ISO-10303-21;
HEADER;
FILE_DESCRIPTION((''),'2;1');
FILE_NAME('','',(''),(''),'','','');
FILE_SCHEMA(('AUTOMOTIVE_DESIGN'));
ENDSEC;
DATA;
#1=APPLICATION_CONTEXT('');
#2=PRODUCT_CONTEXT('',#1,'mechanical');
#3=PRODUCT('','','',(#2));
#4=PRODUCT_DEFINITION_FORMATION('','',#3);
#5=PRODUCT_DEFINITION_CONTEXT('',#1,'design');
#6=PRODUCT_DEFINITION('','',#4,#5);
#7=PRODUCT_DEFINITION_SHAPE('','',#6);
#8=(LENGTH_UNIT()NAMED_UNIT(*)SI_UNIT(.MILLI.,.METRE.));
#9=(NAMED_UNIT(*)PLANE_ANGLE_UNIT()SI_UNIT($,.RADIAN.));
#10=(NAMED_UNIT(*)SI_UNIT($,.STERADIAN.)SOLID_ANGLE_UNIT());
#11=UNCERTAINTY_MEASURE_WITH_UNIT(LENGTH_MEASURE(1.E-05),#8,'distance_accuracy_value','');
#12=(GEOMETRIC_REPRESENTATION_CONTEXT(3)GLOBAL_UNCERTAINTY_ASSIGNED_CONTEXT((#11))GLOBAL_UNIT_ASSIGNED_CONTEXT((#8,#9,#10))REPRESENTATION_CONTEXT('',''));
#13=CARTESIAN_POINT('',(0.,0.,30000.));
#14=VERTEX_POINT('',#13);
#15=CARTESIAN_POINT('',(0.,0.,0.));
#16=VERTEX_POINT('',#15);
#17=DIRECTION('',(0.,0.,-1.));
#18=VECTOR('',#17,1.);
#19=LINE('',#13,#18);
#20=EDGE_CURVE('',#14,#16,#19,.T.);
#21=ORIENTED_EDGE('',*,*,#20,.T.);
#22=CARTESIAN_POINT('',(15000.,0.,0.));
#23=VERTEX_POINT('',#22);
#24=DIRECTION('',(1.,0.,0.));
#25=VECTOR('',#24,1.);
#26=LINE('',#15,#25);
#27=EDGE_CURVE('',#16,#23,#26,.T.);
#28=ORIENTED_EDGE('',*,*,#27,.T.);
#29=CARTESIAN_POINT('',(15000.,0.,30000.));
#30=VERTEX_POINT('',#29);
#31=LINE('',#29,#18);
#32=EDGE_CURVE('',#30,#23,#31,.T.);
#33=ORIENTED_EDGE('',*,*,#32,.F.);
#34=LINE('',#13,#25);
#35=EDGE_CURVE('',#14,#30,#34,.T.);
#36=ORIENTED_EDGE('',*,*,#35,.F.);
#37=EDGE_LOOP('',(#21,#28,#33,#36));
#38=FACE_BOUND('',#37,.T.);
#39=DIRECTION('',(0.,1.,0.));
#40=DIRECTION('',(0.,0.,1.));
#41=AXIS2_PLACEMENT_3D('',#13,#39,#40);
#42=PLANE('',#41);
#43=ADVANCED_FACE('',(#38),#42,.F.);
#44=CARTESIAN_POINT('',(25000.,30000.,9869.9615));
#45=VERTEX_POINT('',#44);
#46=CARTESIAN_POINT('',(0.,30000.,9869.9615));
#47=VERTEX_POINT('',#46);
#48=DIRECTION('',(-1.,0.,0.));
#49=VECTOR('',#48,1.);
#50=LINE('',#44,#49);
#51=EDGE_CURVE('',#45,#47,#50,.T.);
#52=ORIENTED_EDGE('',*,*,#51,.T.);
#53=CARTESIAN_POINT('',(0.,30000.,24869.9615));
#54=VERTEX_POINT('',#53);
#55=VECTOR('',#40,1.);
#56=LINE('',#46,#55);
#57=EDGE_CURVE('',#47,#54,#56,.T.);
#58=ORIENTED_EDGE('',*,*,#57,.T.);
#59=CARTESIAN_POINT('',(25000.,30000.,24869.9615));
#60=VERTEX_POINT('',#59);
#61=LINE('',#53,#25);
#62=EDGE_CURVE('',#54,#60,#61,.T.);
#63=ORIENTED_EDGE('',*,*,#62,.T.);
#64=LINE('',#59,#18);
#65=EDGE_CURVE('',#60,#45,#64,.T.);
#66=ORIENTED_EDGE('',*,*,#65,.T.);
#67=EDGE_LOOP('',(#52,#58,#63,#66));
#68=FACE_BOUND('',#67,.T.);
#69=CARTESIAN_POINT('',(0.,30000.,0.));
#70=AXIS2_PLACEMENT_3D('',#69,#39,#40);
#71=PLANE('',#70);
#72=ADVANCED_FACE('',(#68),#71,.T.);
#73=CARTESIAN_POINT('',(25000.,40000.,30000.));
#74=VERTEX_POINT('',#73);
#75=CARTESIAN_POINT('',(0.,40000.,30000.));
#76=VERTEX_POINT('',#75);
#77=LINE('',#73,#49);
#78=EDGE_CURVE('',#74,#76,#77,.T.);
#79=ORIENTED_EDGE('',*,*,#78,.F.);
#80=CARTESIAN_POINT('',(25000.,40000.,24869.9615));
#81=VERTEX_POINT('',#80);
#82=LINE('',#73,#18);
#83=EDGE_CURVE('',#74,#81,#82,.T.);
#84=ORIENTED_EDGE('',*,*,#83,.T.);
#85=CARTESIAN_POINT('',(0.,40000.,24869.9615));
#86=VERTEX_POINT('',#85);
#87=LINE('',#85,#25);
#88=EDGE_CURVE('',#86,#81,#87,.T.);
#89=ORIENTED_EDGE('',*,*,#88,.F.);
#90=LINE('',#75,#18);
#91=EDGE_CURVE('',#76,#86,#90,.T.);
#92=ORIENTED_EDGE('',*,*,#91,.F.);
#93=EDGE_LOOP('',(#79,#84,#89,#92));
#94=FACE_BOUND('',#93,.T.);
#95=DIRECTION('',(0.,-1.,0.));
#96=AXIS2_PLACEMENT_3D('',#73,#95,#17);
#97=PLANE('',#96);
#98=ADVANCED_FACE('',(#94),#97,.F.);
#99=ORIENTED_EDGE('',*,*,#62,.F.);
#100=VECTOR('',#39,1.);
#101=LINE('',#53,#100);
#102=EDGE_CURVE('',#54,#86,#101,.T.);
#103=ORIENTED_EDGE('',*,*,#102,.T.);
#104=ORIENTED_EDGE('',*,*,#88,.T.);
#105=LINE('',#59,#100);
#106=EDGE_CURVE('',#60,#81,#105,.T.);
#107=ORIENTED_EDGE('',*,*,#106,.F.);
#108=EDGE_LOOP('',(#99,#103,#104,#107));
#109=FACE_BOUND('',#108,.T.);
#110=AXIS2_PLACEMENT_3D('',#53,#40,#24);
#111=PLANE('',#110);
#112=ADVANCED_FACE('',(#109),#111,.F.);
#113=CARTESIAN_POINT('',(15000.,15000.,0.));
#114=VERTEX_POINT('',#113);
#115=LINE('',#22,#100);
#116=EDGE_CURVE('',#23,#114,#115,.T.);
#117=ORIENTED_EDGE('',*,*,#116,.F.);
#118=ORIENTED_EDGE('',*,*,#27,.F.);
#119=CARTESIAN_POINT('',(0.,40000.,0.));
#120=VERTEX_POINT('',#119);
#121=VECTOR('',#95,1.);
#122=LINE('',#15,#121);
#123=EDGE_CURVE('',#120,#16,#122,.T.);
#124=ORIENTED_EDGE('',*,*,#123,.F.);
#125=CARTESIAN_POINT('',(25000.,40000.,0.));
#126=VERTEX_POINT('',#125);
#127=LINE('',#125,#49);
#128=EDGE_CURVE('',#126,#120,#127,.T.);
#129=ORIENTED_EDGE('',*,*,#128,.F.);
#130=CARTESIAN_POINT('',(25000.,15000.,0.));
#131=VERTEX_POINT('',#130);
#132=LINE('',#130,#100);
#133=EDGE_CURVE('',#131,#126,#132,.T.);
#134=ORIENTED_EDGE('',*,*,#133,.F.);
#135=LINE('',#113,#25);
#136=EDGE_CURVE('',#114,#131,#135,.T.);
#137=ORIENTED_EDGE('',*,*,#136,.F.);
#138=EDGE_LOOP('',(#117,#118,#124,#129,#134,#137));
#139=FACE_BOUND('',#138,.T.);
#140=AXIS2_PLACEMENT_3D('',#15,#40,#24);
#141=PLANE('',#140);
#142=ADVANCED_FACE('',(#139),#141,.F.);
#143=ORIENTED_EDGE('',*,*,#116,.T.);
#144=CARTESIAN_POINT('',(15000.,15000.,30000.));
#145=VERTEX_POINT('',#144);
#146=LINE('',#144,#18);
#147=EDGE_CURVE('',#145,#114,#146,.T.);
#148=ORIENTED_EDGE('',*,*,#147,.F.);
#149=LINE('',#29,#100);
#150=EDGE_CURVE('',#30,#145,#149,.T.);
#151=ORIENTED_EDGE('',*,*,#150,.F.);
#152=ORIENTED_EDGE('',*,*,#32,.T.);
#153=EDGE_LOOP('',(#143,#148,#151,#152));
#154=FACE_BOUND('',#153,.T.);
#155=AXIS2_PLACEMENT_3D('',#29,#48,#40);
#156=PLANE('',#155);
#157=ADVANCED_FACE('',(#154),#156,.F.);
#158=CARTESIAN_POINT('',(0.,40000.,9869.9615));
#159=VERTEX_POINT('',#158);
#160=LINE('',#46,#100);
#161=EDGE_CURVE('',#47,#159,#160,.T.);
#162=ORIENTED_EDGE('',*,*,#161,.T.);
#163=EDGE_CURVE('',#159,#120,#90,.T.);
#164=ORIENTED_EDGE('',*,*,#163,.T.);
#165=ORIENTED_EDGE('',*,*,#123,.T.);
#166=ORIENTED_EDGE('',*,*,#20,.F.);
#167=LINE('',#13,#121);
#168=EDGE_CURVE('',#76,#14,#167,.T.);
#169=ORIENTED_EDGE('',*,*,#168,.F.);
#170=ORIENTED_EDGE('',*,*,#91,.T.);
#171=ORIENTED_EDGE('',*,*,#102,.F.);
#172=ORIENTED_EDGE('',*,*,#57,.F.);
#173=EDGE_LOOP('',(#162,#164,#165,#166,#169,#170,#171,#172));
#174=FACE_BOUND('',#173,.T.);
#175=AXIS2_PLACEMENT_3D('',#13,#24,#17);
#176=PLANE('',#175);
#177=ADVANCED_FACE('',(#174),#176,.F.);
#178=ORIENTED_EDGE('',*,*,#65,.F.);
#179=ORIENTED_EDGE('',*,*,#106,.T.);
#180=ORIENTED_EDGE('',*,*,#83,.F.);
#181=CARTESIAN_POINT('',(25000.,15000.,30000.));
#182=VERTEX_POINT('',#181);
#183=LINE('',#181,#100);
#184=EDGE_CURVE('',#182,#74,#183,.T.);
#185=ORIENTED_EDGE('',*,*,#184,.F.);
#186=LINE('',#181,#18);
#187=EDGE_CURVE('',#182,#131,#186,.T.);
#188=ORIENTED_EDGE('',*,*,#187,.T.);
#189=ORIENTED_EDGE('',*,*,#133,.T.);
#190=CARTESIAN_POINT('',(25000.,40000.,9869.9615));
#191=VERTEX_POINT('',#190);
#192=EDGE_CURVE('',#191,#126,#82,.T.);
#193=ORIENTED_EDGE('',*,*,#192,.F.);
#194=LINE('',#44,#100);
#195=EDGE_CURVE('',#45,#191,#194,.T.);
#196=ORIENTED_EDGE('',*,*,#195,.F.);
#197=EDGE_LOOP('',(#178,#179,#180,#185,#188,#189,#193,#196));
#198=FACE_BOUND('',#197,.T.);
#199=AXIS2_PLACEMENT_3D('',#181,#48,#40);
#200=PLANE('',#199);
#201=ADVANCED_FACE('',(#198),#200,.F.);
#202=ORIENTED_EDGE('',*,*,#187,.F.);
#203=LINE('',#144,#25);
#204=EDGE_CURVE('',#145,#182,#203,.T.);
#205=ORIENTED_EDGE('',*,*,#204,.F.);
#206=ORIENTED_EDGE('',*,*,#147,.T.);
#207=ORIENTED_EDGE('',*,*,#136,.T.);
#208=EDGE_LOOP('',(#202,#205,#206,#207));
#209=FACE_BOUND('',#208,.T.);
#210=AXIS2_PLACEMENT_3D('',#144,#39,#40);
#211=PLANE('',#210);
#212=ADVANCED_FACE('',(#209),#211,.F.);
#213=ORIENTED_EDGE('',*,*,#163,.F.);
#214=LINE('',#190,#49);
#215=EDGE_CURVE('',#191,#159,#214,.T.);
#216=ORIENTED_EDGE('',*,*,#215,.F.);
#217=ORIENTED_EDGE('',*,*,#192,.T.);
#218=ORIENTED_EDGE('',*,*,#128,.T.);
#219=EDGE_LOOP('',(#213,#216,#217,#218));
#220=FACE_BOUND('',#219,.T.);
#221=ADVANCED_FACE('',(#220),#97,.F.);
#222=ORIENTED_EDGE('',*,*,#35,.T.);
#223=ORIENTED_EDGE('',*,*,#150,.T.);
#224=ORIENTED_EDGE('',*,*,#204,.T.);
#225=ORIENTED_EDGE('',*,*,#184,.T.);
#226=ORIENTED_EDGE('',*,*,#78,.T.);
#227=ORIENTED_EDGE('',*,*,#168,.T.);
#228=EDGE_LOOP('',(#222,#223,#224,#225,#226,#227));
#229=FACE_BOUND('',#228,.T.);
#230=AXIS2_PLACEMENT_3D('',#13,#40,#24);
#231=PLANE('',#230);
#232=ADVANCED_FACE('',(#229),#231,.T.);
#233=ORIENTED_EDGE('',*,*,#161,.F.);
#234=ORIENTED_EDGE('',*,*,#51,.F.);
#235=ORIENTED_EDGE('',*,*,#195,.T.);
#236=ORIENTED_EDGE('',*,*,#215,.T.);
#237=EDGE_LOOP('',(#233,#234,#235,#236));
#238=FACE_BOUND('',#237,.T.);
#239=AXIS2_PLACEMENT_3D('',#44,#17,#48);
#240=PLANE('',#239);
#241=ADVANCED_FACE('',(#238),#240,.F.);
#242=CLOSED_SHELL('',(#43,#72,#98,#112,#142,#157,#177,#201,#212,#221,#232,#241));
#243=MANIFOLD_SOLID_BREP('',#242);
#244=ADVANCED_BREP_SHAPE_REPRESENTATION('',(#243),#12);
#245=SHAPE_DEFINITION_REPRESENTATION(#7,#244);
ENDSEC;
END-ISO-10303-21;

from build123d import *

# Parameters (mm, degrees)
BOSS_EXTRUDE1_DEPTH = 30000
SKETCH2_W           = 25000
SKETCH2_H           = 15000
CUT_EXTRUDE1_DEPTH  = 10000


with BuildPart() as part:
    # Sketch1 → Boss-Extrude1 (new body)
    with BuildSketch(Plane.XY):
        Polygon((0, 0), (15000, 0), (15000, 15000), (25000, 15000), (25000, 40000), (0, 40000), align=None)
    extrude(amount=BOSS_EXTRUDE1_DEPTH)

    # Sketch2 → Cut-Extrude1 (cut)
    with BuildSketch(Plane(origin=(0, 40000, 0), x_dir=(1, 0, 0), z_dir=(0, 1, 0))):
        with Locations((12500, -17369.961500369)):
            Rectangle(SKETCH2_W, SKETCH2_H)
    extrude(amount=-CUT_EXTRUDE1_DEPTH, mode=Mode.SUBTRACT)


solid = part.part
